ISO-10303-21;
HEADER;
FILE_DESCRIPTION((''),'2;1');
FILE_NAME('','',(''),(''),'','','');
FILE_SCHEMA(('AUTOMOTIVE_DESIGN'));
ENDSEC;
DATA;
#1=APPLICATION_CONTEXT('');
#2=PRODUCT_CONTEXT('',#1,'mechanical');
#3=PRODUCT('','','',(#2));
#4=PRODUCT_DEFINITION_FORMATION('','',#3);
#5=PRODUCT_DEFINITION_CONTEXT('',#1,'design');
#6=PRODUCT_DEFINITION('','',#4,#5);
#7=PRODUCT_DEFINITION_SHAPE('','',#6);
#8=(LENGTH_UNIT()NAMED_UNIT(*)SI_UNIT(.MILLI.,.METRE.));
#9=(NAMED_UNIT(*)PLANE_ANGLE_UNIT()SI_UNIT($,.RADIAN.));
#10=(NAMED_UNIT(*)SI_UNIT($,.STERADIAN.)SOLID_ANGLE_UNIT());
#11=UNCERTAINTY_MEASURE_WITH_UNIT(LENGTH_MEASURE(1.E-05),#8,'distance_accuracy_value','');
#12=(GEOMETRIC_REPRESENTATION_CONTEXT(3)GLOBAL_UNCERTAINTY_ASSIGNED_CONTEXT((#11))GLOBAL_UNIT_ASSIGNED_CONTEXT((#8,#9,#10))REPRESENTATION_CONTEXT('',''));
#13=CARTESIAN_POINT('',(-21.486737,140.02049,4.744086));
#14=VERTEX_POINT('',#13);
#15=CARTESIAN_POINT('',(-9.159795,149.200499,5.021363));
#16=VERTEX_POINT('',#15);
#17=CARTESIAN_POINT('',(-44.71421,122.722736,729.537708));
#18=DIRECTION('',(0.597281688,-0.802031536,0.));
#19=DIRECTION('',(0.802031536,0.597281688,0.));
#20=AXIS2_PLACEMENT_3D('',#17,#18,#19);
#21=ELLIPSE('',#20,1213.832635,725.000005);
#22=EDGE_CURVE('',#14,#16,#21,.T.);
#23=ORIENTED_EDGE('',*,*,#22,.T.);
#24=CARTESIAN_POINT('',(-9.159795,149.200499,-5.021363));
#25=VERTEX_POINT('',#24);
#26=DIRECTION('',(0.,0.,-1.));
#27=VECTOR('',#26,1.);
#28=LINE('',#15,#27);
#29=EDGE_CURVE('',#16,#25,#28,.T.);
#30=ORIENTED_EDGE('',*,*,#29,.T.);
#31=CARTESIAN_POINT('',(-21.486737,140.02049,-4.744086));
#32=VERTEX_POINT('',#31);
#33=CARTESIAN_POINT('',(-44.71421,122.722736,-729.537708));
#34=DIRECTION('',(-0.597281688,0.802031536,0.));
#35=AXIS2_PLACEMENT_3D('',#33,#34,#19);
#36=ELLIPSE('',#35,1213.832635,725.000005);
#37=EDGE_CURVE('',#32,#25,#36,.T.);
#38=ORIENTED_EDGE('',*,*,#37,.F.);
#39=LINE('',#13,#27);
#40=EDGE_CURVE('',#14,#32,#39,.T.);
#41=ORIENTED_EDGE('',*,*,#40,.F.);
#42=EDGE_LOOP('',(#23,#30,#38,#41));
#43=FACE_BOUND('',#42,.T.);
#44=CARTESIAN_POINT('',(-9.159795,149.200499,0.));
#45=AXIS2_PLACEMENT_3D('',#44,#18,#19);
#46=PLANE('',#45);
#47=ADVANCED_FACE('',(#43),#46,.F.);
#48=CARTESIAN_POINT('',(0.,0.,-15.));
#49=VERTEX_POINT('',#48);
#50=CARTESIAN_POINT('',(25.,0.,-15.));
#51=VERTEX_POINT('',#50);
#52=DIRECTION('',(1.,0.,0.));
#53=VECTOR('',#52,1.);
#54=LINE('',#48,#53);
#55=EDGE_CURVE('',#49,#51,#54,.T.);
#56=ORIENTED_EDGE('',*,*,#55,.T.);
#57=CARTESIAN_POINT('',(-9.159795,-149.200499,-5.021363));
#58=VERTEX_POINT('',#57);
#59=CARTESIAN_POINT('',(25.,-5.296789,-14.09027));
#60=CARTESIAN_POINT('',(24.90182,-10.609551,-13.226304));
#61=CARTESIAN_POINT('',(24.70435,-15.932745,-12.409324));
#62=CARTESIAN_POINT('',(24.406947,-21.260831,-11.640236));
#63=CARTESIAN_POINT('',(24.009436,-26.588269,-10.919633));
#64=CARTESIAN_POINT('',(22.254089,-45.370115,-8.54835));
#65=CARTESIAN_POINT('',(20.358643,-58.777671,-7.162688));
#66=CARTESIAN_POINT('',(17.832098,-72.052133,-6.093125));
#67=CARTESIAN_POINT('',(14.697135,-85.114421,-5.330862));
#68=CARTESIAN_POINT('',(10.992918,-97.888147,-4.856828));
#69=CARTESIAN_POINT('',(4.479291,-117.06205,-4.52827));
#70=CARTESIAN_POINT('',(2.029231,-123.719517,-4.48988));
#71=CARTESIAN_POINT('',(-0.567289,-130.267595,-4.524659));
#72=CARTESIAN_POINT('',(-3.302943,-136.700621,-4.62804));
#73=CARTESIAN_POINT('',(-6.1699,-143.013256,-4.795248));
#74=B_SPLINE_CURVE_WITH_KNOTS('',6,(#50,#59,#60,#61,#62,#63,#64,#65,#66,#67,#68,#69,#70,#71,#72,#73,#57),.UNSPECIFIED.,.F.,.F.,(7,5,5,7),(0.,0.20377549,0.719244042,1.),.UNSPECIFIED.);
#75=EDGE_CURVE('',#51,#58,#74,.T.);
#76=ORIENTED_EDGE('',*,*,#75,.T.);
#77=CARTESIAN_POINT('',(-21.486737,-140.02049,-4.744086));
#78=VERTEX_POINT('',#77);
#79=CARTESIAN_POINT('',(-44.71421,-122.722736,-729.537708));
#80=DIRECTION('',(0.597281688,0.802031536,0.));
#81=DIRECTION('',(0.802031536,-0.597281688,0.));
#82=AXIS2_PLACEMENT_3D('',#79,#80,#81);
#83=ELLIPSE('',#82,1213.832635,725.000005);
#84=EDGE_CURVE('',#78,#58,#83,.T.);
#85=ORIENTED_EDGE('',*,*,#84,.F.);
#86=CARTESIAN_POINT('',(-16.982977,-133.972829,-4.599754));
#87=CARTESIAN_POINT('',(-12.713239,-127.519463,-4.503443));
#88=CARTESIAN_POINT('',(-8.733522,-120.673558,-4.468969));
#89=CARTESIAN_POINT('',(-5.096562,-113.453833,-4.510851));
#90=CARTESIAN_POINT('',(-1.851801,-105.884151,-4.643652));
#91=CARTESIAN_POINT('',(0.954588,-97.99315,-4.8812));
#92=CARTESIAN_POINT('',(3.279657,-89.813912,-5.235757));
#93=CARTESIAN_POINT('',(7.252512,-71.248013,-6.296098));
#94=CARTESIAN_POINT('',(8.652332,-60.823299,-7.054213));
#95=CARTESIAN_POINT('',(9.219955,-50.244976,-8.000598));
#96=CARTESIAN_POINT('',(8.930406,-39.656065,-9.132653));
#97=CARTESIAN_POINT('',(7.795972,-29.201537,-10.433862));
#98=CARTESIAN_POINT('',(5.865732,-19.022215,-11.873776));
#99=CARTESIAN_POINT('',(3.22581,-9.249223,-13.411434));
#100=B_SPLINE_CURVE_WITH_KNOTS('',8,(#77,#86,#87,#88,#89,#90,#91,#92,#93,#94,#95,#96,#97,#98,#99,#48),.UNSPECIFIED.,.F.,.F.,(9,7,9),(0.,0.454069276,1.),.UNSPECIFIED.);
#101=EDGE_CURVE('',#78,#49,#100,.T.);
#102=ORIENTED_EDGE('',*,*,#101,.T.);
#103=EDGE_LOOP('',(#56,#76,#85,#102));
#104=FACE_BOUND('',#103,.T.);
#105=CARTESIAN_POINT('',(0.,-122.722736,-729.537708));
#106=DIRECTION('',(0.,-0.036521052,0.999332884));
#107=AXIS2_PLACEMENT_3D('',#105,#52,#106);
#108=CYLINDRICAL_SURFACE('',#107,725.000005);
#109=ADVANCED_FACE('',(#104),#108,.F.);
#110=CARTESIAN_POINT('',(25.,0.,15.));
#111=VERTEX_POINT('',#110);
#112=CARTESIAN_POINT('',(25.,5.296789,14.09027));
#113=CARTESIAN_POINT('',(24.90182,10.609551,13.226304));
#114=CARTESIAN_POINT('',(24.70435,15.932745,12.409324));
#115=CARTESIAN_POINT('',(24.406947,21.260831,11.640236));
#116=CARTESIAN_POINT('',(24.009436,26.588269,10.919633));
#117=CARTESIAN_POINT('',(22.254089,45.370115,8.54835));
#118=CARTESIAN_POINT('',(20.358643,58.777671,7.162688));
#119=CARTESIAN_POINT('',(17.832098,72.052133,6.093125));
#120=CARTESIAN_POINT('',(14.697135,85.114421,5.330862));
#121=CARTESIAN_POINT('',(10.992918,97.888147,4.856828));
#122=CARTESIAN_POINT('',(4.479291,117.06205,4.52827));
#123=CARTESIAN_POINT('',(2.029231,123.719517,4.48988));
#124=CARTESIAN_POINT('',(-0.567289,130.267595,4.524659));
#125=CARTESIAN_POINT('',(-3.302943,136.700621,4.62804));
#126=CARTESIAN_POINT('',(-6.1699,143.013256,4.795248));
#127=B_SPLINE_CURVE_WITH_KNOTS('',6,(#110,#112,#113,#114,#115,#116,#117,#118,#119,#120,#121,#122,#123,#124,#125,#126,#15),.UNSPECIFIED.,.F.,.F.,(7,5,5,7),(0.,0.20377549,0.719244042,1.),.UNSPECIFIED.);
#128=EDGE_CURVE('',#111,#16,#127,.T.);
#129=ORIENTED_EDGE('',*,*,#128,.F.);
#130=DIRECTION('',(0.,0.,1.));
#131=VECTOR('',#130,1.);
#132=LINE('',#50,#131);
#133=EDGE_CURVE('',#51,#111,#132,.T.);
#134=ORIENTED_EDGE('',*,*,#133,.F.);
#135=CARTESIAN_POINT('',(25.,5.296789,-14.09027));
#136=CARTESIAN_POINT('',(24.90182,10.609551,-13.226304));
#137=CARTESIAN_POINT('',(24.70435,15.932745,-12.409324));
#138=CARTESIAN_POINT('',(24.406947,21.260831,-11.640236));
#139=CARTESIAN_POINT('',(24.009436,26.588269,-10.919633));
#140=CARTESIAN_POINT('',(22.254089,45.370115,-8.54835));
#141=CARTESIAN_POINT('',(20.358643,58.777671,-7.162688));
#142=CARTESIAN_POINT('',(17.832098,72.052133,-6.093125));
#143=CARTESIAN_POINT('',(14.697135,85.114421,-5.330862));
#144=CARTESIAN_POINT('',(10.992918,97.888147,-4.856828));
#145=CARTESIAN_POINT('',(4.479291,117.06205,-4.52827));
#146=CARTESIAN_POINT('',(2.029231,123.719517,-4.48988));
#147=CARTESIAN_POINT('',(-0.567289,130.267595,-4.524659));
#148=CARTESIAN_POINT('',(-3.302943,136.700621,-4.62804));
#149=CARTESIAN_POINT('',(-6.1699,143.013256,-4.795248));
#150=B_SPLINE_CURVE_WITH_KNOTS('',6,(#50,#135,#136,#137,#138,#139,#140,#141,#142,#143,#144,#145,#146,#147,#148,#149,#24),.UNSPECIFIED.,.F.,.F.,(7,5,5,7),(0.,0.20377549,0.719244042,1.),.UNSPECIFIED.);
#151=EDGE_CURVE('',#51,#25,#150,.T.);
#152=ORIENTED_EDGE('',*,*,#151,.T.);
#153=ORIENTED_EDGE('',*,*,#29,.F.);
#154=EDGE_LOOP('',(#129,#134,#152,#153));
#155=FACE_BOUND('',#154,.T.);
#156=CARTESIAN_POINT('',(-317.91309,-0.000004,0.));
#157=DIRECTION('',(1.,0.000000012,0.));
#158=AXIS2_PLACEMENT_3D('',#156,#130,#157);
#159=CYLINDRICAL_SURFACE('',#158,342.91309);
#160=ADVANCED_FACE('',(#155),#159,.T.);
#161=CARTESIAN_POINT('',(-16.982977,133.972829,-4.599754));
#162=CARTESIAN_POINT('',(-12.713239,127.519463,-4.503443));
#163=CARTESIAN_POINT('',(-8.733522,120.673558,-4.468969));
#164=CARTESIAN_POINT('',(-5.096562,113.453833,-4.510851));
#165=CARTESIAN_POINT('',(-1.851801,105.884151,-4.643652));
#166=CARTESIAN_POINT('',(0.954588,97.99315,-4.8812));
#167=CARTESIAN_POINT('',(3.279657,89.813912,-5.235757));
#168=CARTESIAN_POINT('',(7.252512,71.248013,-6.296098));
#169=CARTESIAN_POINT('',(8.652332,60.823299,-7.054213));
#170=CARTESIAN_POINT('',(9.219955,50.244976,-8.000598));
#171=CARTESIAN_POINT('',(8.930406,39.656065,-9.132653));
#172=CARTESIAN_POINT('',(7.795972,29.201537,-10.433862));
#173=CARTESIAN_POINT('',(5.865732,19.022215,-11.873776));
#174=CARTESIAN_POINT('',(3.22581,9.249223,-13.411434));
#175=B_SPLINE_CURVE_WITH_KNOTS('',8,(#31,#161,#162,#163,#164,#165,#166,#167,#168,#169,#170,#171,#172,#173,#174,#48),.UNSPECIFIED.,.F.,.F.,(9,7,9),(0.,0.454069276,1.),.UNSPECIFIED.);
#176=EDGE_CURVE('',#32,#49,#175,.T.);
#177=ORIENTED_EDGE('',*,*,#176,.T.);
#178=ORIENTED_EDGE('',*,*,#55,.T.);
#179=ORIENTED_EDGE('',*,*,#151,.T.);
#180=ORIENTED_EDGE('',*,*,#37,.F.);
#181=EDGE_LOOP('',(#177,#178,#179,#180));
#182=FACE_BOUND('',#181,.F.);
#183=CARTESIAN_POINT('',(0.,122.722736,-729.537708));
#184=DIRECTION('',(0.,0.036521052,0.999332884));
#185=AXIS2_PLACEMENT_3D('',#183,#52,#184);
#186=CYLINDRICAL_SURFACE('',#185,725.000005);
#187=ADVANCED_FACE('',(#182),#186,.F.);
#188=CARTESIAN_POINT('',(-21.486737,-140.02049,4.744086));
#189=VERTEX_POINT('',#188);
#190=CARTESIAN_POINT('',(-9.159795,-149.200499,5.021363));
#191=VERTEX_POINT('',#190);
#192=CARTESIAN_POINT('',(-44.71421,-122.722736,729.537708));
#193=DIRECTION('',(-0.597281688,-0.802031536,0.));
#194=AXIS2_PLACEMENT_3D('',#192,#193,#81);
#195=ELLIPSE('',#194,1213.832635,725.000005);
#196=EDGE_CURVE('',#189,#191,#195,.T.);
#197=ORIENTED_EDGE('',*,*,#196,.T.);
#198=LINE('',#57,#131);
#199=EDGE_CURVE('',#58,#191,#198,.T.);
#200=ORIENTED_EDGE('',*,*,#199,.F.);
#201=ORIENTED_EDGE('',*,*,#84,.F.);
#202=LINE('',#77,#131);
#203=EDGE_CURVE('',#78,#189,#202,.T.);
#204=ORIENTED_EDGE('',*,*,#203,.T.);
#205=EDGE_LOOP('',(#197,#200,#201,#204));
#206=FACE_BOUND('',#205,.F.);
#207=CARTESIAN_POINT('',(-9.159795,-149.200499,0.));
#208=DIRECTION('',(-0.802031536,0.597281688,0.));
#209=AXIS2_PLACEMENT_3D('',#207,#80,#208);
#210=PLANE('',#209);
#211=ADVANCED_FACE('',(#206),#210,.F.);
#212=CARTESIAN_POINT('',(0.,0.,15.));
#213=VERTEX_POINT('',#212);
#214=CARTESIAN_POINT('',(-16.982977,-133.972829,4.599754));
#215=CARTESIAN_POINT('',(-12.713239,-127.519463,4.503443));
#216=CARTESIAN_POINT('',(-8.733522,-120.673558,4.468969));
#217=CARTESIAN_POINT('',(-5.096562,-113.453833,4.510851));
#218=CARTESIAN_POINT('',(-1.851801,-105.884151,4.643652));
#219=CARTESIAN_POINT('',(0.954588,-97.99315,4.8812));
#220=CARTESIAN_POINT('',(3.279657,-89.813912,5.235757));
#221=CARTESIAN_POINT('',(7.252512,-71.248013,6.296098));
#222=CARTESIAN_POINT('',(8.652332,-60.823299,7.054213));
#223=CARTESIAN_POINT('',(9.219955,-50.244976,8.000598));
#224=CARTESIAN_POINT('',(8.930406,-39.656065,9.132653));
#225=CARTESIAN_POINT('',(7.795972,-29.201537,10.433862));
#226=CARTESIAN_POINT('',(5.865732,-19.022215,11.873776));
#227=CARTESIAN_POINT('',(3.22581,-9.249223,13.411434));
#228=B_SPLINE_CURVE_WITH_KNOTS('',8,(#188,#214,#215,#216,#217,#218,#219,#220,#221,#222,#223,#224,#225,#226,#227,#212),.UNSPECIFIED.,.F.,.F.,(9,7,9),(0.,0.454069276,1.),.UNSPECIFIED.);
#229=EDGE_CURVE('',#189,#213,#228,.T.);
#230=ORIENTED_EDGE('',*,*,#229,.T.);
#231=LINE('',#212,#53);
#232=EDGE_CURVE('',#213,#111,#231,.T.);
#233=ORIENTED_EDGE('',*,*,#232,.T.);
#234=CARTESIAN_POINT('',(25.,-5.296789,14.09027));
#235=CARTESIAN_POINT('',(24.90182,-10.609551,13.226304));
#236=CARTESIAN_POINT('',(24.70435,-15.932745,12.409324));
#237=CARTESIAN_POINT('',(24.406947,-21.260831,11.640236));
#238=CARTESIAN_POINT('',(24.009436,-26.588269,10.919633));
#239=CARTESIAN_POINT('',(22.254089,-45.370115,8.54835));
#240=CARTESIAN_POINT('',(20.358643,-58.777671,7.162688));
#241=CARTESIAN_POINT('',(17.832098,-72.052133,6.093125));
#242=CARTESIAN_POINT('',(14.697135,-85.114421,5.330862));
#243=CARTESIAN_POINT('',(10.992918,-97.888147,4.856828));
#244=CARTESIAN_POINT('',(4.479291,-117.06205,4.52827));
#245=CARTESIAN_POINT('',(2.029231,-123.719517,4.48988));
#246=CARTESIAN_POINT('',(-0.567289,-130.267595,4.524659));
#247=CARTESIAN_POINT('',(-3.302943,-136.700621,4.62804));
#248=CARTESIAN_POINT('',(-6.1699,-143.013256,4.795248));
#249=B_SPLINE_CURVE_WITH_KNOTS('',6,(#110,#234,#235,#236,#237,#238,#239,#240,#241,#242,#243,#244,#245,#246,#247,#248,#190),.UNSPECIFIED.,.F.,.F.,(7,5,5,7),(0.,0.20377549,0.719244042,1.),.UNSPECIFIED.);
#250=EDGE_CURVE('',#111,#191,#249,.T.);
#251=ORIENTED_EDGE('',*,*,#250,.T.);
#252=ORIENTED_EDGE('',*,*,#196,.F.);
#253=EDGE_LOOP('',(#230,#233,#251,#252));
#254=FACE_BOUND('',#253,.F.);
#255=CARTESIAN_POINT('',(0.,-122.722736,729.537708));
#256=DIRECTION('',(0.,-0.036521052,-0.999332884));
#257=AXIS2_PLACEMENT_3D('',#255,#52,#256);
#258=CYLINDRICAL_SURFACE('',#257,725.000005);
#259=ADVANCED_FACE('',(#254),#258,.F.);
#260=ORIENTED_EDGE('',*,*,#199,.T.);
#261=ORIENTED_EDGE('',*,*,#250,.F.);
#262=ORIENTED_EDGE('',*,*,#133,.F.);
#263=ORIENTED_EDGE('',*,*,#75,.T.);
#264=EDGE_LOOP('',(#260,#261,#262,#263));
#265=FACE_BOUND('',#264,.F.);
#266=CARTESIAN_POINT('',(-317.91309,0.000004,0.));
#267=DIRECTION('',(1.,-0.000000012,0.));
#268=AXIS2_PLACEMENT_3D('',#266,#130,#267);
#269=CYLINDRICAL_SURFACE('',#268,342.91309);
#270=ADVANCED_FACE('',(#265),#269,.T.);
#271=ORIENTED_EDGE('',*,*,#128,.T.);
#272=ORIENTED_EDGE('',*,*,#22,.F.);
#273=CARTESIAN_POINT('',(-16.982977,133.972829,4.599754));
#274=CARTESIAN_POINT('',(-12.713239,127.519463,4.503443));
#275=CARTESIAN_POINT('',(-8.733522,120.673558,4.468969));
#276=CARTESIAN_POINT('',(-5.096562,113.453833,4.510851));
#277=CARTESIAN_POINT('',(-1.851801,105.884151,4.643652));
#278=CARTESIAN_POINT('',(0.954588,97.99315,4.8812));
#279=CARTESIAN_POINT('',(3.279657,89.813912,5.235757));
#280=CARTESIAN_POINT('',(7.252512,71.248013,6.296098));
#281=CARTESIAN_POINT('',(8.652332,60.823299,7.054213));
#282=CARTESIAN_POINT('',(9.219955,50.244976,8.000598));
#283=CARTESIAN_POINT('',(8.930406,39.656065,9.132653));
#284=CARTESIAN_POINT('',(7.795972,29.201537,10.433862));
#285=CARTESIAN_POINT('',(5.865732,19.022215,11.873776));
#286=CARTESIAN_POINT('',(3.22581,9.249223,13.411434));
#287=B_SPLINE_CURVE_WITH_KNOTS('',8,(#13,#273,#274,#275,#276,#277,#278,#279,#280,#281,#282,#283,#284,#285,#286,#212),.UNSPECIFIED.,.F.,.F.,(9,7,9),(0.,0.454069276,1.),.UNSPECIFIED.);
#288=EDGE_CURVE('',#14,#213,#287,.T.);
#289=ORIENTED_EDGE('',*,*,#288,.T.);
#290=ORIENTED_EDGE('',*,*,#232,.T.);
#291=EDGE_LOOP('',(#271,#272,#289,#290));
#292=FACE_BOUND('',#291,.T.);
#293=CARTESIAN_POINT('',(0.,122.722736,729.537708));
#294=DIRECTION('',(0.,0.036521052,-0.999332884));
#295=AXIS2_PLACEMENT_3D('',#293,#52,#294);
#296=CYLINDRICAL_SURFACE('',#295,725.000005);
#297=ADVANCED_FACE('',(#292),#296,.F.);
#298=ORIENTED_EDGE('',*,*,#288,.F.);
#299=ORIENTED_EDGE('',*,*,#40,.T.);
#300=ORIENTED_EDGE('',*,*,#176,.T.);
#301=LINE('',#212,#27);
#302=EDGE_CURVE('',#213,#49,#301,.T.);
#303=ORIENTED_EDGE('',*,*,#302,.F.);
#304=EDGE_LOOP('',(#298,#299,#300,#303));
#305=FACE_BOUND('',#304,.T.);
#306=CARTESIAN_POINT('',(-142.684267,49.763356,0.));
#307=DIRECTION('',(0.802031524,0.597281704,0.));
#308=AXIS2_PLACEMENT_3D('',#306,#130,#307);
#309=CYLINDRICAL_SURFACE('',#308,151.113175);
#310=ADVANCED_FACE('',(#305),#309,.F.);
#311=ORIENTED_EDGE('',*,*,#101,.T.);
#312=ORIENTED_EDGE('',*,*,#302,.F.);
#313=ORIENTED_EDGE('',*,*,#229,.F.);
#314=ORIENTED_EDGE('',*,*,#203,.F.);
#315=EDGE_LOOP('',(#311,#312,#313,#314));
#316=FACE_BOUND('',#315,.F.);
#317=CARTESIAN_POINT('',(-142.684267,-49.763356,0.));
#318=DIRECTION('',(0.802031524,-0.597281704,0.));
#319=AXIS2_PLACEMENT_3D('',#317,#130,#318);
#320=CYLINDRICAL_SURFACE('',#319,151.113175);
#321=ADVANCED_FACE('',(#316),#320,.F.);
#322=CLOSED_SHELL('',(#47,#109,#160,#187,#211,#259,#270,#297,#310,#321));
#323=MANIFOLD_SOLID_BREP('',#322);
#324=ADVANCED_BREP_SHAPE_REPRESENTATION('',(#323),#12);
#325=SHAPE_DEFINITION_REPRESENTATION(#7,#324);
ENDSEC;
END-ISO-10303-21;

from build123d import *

# Parameters (mm, degrees)
F1_DEPTH = 15
F3_DEPTH = 30


with BuildPart() as f1:
    # F0 (on Top) → F1 (new body)
    with BuildSketch(Plane.XY):
        with BuildLine():
            Line((0, 0), (25, 0))
            ThreePointArc((25, 0), (16.350977, 76.530518), (-9.159795, 149.200499))
            Line((-9.159795, 149.200499), (-21.486737, 140.02049))
            ThreePointArc((-21.486737, 140.02049), (6.680505, 72.684012), (0, 0))
        make_face()
    extrude(amount=F1_DEPTH)

    # F2 (on Right) → F3 (intersect, symmetric)
    with BuildSketch(Plane.YZ):
        with BuildLine():
            ThreePointArc((149.200499, 5.021363), (74.342296, 6.153758), (0, 15))
            Line((0, 15), (0, 0))
            Line((0, 0), (149.200499, 0))
            Line((149.200499, 0), (149.200499, 5.021363))
        make_face()
    extrude(amount=F3_DEPTH, both=True, mode=Mode.INTERSECT)

    # F4: F1 across plane


with BuildPart() as f1_1:
    add(f1.part)
    add(f1.part.mirror(Plane.XZ))

    # F5: F1 across plane


with BuildPart() as f1_2:
    add(f1_1.part)
    add(f1_1.part.mirror(Plane.XY))


solid = f1_2.part
